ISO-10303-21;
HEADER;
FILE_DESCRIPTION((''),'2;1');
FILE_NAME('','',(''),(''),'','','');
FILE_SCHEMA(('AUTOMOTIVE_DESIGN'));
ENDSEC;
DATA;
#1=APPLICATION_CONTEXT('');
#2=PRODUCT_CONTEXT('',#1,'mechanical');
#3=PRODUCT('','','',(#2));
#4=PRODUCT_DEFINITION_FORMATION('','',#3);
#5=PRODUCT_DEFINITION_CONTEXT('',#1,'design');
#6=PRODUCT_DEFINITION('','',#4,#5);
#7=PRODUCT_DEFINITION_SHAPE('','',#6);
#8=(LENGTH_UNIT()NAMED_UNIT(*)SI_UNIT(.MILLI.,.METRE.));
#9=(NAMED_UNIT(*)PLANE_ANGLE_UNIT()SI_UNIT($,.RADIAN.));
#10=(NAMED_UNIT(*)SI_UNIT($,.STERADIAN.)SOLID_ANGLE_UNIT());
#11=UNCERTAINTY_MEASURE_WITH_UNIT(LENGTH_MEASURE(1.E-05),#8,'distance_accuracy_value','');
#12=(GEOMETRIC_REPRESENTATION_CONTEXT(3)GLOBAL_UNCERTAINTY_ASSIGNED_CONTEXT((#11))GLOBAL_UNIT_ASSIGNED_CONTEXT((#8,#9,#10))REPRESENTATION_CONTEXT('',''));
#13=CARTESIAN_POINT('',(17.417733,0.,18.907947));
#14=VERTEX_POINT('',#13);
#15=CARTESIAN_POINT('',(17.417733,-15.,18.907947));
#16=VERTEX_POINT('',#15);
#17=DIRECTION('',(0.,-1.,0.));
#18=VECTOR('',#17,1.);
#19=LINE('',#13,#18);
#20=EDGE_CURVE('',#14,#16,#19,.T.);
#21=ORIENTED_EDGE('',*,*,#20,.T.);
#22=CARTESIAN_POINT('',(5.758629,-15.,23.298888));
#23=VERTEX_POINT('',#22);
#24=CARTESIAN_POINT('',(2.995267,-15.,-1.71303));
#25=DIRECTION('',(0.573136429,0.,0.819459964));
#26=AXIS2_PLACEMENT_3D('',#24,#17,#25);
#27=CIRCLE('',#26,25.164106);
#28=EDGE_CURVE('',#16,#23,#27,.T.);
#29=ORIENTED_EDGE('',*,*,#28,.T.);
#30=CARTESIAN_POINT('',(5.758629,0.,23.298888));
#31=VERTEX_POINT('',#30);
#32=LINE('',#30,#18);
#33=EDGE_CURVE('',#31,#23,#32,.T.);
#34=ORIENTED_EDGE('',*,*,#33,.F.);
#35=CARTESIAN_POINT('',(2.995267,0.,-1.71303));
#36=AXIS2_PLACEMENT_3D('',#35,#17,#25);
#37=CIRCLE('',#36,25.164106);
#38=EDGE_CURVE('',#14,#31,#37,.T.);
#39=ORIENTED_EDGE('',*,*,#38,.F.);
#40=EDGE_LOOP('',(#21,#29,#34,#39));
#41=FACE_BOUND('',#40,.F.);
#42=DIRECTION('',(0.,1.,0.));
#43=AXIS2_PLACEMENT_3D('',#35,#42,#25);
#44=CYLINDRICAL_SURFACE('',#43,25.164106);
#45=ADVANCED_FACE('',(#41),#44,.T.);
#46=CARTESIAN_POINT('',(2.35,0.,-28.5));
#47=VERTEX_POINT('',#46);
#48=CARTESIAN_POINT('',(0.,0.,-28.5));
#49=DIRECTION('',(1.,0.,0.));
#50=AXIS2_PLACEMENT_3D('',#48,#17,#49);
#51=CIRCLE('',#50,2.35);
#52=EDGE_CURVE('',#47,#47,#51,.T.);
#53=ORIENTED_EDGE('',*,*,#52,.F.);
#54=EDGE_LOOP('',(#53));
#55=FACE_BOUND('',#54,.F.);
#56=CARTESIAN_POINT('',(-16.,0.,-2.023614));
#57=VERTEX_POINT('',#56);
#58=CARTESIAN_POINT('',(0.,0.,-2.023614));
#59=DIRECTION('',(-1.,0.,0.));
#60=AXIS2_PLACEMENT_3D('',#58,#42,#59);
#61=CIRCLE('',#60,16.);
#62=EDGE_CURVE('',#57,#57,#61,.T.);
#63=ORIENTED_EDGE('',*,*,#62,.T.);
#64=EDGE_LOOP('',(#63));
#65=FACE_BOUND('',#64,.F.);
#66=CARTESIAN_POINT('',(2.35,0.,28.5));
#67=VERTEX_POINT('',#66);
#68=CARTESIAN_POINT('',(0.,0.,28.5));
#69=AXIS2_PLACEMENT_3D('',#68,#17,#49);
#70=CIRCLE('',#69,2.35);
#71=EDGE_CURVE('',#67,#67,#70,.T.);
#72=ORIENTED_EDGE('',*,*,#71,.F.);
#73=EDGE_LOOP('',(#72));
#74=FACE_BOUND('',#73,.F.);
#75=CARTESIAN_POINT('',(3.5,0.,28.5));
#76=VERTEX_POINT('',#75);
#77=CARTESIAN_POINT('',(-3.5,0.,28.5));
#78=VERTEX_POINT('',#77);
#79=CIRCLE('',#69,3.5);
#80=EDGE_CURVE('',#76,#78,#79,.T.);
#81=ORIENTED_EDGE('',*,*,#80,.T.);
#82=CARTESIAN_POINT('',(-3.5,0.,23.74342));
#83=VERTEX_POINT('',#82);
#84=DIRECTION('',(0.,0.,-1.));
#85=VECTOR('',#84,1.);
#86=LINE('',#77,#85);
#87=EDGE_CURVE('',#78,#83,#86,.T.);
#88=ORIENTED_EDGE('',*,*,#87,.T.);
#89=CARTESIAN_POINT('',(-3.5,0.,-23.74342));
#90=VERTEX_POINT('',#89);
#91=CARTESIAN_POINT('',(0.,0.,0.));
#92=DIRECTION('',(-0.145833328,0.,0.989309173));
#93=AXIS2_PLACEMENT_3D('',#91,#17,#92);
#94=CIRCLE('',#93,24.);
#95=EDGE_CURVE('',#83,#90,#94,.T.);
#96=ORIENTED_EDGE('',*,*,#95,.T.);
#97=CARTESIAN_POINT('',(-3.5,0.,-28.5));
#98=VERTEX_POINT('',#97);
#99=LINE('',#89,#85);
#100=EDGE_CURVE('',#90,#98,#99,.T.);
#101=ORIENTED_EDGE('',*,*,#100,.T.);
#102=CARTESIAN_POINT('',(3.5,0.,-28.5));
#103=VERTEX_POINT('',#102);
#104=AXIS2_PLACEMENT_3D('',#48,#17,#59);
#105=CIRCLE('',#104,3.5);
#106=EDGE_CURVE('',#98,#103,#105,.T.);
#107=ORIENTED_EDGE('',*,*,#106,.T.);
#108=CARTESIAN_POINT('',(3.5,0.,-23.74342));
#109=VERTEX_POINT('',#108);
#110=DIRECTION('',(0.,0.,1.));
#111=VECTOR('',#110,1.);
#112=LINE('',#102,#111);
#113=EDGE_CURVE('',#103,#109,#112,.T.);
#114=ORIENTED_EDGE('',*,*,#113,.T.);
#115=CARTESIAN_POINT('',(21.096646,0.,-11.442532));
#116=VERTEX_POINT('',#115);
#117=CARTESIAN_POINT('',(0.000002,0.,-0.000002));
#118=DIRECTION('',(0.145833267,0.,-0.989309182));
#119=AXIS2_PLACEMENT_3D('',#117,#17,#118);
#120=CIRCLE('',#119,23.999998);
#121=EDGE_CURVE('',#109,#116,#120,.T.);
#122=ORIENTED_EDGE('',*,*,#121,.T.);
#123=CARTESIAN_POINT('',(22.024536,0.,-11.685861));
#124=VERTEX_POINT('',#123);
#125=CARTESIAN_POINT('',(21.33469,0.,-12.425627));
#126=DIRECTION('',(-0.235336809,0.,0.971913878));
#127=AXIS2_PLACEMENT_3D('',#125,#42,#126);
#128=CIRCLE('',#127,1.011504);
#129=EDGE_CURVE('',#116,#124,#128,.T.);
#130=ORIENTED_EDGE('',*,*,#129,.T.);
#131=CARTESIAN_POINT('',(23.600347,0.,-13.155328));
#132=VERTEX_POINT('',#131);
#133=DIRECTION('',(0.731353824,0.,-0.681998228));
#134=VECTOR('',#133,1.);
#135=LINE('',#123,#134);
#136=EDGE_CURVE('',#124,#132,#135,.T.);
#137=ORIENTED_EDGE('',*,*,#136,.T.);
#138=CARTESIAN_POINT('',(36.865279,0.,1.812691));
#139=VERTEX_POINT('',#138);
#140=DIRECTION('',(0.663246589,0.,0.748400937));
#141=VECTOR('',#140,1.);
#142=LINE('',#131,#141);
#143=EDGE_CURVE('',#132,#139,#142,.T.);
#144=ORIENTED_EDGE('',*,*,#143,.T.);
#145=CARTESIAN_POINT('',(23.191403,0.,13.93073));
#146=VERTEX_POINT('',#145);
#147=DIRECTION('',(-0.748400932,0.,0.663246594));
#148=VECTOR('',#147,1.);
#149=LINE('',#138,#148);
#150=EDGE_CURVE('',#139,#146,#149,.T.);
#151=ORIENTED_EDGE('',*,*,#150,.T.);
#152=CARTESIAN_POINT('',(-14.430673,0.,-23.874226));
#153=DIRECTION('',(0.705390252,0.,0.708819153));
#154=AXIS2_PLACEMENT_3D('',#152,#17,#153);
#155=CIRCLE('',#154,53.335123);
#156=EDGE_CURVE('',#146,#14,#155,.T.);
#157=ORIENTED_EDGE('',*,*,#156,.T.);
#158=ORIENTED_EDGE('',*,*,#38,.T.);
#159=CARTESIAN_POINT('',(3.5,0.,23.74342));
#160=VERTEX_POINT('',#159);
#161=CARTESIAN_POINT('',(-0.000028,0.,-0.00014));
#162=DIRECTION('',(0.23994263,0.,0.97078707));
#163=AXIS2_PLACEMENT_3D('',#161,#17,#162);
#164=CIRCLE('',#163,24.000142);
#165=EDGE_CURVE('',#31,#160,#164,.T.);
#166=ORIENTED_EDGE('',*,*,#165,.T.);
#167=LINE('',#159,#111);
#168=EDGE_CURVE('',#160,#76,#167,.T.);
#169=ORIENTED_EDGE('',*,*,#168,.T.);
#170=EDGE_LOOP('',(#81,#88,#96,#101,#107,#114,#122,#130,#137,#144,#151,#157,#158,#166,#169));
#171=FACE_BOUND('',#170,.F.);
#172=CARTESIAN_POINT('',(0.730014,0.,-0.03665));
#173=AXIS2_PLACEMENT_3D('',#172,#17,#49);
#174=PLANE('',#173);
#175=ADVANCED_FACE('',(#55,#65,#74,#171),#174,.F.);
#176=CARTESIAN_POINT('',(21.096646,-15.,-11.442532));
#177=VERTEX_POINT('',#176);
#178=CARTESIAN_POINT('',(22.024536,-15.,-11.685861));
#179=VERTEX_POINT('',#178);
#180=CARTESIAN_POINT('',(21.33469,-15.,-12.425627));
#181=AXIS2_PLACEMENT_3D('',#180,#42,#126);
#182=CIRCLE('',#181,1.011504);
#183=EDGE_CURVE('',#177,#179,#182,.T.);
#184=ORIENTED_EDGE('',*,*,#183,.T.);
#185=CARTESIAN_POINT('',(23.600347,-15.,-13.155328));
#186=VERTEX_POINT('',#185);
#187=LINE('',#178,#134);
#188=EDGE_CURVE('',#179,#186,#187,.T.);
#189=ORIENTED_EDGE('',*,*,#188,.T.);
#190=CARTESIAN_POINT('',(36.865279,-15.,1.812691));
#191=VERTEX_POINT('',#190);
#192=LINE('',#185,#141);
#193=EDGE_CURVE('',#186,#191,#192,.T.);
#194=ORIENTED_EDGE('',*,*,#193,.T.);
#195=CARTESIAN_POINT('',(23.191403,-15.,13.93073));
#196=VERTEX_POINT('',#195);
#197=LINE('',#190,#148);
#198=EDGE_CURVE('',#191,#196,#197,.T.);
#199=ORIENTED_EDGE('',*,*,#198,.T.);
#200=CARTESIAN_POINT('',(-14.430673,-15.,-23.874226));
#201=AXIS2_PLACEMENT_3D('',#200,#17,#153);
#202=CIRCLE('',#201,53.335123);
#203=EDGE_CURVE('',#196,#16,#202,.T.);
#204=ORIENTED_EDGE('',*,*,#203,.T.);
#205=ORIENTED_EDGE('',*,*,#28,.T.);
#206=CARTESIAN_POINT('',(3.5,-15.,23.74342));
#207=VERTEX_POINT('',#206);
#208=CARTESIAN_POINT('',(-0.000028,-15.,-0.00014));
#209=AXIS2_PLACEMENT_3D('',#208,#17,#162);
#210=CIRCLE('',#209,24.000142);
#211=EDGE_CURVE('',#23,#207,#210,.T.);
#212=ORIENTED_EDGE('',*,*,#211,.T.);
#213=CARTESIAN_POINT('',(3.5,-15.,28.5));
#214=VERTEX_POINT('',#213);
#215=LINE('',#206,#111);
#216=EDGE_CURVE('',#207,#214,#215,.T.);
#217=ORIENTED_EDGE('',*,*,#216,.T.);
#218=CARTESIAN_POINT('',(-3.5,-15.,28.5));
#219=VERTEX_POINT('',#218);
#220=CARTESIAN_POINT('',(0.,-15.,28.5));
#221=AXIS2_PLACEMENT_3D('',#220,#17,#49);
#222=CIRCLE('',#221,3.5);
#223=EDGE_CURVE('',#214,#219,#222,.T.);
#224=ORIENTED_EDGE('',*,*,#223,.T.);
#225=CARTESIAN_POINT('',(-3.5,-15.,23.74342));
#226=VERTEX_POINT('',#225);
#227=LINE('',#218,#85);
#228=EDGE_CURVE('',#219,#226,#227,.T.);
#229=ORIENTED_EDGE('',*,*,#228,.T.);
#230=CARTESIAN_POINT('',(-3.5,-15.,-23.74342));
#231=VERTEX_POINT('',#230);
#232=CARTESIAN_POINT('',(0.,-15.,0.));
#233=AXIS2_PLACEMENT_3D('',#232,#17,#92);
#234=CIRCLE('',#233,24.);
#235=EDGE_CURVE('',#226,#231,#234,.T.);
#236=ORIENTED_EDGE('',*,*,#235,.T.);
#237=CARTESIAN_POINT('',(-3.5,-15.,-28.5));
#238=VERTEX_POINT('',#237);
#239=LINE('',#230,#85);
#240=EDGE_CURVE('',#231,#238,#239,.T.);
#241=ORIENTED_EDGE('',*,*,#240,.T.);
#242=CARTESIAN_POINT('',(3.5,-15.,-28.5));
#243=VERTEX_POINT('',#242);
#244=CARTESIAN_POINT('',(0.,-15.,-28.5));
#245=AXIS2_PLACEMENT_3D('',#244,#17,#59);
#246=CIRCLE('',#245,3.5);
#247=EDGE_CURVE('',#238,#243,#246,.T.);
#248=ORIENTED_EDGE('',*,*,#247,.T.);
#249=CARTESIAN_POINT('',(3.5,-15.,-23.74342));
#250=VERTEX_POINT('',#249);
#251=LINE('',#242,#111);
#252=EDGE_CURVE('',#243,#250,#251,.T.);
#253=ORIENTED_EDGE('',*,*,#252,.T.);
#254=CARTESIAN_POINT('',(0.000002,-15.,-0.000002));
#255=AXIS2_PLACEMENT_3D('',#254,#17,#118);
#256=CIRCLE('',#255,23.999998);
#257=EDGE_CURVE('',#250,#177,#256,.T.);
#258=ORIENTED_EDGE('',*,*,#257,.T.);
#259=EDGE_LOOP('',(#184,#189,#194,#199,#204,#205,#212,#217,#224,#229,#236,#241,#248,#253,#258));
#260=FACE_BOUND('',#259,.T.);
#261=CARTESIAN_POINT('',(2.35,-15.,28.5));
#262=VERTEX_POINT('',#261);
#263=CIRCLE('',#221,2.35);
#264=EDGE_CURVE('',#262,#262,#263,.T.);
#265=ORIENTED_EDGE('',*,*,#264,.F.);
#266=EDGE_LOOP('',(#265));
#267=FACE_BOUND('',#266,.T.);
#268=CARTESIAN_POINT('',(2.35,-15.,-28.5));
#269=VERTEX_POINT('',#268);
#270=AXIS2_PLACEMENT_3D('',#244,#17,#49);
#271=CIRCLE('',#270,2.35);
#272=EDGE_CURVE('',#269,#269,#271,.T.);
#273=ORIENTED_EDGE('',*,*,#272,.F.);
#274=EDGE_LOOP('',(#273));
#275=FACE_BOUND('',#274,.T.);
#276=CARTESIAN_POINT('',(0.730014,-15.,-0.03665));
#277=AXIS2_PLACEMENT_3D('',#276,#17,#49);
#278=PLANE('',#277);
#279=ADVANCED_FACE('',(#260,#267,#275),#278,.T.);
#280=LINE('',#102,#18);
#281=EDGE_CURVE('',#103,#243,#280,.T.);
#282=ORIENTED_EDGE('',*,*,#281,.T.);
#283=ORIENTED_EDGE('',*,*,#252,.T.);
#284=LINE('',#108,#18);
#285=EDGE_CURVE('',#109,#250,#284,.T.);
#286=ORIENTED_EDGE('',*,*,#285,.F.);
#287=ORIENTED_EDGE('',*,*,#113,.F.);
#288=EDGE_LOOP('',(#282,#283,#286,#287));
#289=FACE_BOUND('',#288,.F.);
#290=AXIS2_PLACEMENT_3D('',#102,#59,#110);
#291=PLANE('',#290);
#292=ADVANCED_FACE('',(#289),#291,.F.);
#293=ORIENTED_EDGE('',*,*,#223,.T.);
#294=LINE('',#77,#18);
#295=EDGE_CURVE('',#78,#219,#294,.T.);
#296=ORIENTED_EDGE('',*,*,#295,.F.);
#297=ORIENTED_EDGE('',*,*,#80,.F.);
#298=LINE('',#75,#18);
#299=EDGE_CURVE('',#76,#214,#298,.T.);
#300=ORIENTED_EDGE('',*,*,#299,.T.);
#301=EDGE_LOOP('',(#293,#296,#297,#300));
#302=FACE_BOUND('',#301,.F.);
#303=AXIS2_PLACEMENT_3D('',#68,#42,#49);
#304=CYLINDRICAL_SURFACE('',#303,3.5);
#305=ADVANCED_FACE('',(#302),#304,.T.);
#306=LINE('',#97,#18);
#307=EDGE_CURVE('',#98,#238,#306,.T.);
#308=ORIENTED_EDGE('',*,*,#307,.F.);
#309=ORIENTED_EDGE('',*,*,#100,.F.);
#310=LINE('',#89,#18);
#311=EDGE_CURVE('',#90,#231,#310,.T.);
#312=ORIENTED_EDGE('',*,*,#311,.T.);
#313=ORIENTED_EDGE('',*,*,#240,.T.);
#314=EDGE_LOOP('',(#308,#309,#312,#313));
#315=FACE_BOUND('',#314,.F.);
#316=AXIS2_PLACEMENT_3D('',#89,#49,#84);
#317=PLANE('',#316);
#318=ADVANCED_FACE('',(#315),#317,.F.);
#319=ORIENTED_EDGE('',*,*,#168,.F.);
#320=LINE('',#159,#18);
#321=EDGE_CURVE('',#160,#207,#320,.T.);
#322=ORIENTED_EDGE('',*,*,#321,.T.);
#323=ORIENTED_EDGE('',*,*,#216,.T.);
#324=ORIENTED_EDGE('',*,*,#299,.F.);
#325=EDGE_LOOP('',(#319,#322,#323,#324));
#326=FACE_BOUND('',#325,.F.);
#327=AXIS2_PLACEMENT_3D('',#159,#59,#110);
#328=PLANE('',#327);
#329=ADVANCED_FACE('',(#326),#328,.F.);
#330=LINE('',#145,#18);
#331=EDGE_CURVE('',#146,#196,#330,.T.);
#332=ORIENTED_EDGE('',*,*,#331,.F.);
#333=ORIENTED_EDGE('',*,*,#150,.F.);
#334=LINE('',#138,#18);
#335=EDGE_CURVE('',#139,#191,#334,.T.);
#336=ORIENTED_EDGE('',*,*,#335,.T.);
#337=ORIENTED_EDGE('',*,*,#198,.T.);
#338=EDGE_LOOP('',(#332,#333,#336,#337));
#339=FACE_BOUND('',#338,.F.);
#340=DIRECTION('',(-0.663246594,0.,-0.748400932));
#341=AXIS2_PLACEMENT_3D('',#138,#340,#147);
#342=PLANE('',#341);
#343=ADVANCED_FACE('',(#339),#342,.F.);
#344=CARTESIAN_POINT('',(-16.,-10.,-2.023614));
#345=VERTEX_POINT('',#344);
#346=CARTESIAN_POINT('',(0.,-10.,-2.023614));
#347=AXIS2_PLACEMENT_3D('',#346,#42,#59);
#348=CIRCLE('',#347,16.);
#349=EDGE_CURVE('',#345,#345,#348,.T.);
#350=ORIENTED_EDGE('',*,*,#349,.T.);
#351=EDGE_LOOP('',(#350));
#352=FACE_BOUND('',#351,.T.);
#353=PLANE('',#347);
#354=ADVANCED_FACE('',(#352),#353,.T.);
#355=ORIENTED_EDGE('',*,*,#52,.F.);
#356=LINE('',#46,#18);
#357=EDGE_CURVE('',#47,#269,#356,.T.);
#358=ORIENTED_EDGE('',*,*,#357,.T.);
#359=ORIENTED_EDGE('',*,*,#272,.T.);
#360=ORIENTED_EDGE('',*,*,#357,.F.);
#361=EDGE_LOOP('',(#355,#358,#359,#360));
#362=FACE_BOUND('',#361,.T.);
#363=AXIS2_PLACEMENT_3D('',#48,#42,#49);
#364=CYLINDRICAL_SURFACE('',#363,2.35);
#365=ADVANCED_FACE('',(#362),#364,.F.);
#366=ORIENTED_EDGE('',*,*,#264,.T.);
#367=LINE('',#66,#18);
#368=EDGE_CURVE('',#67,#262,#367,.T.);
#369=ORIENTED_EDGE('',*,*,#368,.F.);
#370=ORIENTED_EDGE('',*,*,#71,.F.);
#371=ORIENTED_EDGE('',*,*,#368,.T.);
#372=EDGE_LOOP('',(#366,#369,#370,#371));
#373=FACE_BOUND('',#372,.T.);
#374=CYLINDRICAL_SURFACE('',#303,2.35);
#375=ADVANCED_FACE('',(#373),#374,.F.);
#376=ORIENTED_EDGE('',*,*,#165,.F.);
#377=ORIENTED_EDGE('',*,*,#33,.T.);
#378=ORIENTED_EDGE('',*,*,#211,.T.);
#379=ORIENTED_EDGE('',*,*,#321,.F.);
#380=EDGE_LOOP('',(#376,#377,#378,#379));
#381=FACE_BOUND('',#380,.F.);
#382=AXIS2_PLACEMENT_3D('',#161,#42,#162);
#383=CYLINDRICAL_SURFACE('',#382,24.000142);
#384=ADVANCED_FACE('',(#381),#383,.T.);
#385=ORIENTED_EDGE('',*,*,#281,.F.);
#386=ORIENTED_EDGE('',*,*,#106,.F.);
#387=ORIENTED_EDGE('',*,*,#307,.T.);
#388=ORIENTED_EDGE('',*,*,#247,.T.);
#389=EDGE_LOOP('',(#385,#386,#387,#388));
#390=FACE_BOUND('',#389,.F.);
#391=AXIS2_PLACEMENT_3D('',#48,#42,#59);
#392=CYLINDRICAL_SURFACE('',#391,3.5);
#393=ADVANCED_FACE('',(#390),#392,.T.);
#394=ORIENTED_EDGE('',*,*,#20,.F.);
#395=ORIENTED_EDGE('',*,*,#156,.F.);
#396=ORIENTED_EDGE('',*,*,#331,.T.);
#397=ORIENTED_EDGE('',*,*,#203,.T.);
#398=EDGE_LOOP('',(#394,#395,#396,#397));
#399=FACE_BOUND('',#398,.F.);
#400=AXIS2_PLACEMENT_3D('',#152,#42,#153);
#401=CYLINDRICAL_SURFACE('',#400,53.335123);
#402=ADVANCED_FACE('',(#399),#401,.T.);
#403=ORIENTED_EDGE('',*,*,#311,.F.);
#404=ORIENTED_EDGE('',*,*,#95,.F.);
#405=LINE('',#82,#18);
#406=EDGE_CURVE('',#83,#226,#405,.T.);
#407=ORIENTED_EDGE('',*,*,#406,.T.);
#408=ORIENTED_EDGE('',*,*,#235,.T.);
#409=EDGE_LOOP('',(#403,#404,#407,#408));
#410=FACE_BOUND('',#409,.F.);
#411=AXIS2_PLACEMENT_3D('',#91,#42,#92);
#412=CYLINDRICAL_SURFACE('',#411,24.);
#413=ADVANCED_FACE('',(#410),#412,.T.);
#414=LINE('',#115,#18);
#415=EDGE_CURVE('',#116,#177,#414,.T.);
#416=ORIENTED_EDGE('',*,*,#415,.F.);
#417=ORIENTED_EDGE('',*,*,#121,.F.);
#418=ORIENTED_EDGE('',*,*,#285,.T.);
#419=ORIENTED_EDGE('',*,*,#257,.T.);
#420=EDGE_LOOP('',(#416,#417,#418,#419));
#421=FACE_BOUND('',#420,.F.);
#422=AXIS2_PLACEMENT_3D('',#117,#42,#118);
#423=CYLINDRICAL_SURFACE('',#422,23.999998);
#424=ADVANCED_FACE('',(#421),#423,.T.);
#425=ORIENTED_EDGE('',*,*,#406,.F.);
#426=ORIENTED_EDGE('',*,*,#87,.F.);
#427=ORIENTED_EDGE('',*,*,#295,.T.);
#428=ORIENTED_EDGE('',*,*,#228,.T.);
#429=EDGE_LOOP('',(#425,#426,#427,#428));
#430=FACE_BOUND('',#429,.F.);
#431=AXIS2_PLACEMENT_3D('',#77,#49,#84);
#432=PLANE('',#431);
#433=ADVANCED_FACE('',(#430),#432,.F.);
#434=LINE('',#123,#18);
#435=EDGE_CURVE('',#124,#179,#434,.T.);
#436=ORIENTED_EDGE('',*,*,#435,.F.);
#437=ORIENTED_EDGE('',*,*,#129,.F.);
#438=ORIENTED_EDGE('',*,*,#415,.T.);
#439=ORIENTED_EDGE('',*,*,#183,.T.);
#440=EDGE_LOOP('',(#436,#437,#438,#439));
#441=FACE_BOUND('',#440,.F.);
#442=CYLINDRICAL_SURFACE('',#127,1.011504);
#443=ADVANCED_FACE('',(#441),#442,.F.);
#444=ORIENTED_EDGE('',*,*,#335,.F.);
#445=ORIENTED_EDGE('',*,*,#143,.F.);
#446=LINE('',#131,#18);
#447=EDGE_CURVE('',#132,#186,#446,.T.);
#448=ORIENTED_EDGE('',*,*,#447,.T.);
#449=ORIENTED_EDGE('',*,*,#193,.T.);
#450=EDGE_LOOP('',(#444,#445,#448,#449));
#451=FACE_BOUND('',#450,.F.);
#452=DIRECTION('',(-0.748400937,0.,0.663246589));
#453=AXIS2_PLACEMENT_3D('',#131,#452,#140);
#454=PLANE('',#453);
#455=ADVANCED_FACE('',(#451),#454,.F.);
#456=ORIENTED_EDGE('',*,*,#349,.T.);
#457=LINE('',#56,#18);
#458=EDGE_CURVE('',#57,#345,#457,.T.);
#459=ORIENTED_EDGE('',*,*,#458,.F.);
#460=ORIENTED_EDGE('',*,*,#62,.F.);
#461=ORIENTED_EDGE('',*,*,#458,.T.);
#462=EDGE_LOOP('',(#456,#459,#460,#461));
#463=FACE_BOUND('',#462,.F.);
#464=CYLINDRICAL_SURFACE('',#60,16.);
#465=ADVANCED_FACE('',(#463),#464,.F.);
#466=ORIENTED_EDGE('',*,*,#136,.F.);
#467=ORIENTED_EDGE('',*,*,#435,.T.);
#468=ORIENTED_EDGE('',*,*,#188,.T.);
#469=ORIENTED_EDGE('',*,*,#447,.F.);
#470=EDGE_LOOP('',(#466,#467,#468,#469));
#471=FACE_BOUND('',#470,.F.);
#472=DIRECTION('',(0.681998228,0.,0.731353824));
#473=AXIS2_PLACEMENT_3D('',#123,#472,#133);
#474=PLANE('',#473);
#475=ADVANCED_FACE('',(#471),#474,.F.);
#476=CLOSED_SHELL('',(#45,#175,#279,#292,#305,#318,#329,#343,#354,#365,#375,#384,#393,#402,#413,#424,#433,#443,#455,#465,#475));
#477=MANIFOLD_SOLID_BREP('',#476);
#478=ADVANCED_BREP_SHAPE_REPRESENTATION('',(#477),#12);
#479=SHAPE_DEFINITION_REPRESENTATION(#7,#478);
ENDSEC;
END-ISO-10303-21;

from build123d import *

# Parameters (mm, degrees)
F0_R     = 2.35
F1_DEPTH = 15
F2_R     = 16
F3_DEPTH = 10


with BuildPart() as f1:
    # F0 (on Front) → F1 (new body)
    with BuildSketch(Plane.XZ):
        with BuildLine():
            ThreePointArc((21.096646, -11.442532), (23.262841, -5.902563), (24, 0))
            ThreePointArc((24, 0), (18.897184, 14.795149), (5.758629, 23.298888))
            ThreePointArc((5.758629, 23.298888), (4.634647, 23.548249), (3.5, 23.74342))
            ThreePointArc((3.5, 23.74342), (0, 24), (-3.5, 23.74342))
            ThreePointArc((-3.5, 23.74342), (-24, 0), (-3.5, -23.74342))
            ThreePointArc((-3.5, -23.74342), (0, -24), (3.5, -23.74342))
            ThreePointArc((3.5, -23.74342), (13.750517, -19.670366), (21.096646, -11.442532))
        make_face()
        with BuildLine():
            ThreePointArc((5.758629, 23.298888), (18.897184, 14.795149), (24, 0))
            ThreePointArc((24, 0), (23.262841, -5.902563), (21.096646, -11.442532))
            ThreePointArc((21.096646, -11.442532), (21.59127, -11.447206), (22.024536, -11.685861))
            Line((22.024536, -11.685861), (23.600347, -13.155328))
            Line((23.600347, -13.155328), (36.865279, 1.812691))
            Line((36.865279, 1.812691), (23.191403, 13.93073))
            ThreePointArc((23.191403, 13.93073), (20.393602, 16.52262), (17.417733, 18.907947))
            ThreePointArc((17.417733, 18.907947), (11.864216, 21.836364), (5.758629, 23.298888))
        make_face()
        with BuildLine():
            ThreePointArc((-3.5, 23.74342), (0, 24), (3.5, 23.74342))
            Line((3.5, 23.74342), (3.5, 28.5))
            ThreePointArc((3.5, 28.5), (0, 32), (-3.5, 28.5))
            Line((-3.5, 28.5), (-3.5, 23.74342))
        make_face()
        with Locations((0, 28.5)):
            Circle(F0_R, mode=Mode.SUBTRACT)
        with BuildLine():
            Line((3.5, -28.5), (3.5, -23.74342))
            ThreePointArc((3.5, -23.74342), (0, -24), (-3.5, -23.74342))
            Line((-3.5, -23.74342), (-3.5, -28.5))
            ThreePointArc((-3.5, -28.5), (0, -32), (3.5, -28.5))
        make_face()
        with Locations((0, -28.5)):
            Circle(F0_R, mode=Mode.SUBTRACT)
    extrude(amount=F1_DEPTH)

    # F2 (on face) → F3 (cut)
    with BuildSketch(Plane(origin=(0, 0, 0), x_dir=(-1, 0, 0), z_dir=(0, 1, 0))):
        with Locations((0, -2.023614)):
            Circle(F2_R)
    extrude(amount=-F3_DEPTH, mode=Mode.SUBTRACT)


solid = f1.part
